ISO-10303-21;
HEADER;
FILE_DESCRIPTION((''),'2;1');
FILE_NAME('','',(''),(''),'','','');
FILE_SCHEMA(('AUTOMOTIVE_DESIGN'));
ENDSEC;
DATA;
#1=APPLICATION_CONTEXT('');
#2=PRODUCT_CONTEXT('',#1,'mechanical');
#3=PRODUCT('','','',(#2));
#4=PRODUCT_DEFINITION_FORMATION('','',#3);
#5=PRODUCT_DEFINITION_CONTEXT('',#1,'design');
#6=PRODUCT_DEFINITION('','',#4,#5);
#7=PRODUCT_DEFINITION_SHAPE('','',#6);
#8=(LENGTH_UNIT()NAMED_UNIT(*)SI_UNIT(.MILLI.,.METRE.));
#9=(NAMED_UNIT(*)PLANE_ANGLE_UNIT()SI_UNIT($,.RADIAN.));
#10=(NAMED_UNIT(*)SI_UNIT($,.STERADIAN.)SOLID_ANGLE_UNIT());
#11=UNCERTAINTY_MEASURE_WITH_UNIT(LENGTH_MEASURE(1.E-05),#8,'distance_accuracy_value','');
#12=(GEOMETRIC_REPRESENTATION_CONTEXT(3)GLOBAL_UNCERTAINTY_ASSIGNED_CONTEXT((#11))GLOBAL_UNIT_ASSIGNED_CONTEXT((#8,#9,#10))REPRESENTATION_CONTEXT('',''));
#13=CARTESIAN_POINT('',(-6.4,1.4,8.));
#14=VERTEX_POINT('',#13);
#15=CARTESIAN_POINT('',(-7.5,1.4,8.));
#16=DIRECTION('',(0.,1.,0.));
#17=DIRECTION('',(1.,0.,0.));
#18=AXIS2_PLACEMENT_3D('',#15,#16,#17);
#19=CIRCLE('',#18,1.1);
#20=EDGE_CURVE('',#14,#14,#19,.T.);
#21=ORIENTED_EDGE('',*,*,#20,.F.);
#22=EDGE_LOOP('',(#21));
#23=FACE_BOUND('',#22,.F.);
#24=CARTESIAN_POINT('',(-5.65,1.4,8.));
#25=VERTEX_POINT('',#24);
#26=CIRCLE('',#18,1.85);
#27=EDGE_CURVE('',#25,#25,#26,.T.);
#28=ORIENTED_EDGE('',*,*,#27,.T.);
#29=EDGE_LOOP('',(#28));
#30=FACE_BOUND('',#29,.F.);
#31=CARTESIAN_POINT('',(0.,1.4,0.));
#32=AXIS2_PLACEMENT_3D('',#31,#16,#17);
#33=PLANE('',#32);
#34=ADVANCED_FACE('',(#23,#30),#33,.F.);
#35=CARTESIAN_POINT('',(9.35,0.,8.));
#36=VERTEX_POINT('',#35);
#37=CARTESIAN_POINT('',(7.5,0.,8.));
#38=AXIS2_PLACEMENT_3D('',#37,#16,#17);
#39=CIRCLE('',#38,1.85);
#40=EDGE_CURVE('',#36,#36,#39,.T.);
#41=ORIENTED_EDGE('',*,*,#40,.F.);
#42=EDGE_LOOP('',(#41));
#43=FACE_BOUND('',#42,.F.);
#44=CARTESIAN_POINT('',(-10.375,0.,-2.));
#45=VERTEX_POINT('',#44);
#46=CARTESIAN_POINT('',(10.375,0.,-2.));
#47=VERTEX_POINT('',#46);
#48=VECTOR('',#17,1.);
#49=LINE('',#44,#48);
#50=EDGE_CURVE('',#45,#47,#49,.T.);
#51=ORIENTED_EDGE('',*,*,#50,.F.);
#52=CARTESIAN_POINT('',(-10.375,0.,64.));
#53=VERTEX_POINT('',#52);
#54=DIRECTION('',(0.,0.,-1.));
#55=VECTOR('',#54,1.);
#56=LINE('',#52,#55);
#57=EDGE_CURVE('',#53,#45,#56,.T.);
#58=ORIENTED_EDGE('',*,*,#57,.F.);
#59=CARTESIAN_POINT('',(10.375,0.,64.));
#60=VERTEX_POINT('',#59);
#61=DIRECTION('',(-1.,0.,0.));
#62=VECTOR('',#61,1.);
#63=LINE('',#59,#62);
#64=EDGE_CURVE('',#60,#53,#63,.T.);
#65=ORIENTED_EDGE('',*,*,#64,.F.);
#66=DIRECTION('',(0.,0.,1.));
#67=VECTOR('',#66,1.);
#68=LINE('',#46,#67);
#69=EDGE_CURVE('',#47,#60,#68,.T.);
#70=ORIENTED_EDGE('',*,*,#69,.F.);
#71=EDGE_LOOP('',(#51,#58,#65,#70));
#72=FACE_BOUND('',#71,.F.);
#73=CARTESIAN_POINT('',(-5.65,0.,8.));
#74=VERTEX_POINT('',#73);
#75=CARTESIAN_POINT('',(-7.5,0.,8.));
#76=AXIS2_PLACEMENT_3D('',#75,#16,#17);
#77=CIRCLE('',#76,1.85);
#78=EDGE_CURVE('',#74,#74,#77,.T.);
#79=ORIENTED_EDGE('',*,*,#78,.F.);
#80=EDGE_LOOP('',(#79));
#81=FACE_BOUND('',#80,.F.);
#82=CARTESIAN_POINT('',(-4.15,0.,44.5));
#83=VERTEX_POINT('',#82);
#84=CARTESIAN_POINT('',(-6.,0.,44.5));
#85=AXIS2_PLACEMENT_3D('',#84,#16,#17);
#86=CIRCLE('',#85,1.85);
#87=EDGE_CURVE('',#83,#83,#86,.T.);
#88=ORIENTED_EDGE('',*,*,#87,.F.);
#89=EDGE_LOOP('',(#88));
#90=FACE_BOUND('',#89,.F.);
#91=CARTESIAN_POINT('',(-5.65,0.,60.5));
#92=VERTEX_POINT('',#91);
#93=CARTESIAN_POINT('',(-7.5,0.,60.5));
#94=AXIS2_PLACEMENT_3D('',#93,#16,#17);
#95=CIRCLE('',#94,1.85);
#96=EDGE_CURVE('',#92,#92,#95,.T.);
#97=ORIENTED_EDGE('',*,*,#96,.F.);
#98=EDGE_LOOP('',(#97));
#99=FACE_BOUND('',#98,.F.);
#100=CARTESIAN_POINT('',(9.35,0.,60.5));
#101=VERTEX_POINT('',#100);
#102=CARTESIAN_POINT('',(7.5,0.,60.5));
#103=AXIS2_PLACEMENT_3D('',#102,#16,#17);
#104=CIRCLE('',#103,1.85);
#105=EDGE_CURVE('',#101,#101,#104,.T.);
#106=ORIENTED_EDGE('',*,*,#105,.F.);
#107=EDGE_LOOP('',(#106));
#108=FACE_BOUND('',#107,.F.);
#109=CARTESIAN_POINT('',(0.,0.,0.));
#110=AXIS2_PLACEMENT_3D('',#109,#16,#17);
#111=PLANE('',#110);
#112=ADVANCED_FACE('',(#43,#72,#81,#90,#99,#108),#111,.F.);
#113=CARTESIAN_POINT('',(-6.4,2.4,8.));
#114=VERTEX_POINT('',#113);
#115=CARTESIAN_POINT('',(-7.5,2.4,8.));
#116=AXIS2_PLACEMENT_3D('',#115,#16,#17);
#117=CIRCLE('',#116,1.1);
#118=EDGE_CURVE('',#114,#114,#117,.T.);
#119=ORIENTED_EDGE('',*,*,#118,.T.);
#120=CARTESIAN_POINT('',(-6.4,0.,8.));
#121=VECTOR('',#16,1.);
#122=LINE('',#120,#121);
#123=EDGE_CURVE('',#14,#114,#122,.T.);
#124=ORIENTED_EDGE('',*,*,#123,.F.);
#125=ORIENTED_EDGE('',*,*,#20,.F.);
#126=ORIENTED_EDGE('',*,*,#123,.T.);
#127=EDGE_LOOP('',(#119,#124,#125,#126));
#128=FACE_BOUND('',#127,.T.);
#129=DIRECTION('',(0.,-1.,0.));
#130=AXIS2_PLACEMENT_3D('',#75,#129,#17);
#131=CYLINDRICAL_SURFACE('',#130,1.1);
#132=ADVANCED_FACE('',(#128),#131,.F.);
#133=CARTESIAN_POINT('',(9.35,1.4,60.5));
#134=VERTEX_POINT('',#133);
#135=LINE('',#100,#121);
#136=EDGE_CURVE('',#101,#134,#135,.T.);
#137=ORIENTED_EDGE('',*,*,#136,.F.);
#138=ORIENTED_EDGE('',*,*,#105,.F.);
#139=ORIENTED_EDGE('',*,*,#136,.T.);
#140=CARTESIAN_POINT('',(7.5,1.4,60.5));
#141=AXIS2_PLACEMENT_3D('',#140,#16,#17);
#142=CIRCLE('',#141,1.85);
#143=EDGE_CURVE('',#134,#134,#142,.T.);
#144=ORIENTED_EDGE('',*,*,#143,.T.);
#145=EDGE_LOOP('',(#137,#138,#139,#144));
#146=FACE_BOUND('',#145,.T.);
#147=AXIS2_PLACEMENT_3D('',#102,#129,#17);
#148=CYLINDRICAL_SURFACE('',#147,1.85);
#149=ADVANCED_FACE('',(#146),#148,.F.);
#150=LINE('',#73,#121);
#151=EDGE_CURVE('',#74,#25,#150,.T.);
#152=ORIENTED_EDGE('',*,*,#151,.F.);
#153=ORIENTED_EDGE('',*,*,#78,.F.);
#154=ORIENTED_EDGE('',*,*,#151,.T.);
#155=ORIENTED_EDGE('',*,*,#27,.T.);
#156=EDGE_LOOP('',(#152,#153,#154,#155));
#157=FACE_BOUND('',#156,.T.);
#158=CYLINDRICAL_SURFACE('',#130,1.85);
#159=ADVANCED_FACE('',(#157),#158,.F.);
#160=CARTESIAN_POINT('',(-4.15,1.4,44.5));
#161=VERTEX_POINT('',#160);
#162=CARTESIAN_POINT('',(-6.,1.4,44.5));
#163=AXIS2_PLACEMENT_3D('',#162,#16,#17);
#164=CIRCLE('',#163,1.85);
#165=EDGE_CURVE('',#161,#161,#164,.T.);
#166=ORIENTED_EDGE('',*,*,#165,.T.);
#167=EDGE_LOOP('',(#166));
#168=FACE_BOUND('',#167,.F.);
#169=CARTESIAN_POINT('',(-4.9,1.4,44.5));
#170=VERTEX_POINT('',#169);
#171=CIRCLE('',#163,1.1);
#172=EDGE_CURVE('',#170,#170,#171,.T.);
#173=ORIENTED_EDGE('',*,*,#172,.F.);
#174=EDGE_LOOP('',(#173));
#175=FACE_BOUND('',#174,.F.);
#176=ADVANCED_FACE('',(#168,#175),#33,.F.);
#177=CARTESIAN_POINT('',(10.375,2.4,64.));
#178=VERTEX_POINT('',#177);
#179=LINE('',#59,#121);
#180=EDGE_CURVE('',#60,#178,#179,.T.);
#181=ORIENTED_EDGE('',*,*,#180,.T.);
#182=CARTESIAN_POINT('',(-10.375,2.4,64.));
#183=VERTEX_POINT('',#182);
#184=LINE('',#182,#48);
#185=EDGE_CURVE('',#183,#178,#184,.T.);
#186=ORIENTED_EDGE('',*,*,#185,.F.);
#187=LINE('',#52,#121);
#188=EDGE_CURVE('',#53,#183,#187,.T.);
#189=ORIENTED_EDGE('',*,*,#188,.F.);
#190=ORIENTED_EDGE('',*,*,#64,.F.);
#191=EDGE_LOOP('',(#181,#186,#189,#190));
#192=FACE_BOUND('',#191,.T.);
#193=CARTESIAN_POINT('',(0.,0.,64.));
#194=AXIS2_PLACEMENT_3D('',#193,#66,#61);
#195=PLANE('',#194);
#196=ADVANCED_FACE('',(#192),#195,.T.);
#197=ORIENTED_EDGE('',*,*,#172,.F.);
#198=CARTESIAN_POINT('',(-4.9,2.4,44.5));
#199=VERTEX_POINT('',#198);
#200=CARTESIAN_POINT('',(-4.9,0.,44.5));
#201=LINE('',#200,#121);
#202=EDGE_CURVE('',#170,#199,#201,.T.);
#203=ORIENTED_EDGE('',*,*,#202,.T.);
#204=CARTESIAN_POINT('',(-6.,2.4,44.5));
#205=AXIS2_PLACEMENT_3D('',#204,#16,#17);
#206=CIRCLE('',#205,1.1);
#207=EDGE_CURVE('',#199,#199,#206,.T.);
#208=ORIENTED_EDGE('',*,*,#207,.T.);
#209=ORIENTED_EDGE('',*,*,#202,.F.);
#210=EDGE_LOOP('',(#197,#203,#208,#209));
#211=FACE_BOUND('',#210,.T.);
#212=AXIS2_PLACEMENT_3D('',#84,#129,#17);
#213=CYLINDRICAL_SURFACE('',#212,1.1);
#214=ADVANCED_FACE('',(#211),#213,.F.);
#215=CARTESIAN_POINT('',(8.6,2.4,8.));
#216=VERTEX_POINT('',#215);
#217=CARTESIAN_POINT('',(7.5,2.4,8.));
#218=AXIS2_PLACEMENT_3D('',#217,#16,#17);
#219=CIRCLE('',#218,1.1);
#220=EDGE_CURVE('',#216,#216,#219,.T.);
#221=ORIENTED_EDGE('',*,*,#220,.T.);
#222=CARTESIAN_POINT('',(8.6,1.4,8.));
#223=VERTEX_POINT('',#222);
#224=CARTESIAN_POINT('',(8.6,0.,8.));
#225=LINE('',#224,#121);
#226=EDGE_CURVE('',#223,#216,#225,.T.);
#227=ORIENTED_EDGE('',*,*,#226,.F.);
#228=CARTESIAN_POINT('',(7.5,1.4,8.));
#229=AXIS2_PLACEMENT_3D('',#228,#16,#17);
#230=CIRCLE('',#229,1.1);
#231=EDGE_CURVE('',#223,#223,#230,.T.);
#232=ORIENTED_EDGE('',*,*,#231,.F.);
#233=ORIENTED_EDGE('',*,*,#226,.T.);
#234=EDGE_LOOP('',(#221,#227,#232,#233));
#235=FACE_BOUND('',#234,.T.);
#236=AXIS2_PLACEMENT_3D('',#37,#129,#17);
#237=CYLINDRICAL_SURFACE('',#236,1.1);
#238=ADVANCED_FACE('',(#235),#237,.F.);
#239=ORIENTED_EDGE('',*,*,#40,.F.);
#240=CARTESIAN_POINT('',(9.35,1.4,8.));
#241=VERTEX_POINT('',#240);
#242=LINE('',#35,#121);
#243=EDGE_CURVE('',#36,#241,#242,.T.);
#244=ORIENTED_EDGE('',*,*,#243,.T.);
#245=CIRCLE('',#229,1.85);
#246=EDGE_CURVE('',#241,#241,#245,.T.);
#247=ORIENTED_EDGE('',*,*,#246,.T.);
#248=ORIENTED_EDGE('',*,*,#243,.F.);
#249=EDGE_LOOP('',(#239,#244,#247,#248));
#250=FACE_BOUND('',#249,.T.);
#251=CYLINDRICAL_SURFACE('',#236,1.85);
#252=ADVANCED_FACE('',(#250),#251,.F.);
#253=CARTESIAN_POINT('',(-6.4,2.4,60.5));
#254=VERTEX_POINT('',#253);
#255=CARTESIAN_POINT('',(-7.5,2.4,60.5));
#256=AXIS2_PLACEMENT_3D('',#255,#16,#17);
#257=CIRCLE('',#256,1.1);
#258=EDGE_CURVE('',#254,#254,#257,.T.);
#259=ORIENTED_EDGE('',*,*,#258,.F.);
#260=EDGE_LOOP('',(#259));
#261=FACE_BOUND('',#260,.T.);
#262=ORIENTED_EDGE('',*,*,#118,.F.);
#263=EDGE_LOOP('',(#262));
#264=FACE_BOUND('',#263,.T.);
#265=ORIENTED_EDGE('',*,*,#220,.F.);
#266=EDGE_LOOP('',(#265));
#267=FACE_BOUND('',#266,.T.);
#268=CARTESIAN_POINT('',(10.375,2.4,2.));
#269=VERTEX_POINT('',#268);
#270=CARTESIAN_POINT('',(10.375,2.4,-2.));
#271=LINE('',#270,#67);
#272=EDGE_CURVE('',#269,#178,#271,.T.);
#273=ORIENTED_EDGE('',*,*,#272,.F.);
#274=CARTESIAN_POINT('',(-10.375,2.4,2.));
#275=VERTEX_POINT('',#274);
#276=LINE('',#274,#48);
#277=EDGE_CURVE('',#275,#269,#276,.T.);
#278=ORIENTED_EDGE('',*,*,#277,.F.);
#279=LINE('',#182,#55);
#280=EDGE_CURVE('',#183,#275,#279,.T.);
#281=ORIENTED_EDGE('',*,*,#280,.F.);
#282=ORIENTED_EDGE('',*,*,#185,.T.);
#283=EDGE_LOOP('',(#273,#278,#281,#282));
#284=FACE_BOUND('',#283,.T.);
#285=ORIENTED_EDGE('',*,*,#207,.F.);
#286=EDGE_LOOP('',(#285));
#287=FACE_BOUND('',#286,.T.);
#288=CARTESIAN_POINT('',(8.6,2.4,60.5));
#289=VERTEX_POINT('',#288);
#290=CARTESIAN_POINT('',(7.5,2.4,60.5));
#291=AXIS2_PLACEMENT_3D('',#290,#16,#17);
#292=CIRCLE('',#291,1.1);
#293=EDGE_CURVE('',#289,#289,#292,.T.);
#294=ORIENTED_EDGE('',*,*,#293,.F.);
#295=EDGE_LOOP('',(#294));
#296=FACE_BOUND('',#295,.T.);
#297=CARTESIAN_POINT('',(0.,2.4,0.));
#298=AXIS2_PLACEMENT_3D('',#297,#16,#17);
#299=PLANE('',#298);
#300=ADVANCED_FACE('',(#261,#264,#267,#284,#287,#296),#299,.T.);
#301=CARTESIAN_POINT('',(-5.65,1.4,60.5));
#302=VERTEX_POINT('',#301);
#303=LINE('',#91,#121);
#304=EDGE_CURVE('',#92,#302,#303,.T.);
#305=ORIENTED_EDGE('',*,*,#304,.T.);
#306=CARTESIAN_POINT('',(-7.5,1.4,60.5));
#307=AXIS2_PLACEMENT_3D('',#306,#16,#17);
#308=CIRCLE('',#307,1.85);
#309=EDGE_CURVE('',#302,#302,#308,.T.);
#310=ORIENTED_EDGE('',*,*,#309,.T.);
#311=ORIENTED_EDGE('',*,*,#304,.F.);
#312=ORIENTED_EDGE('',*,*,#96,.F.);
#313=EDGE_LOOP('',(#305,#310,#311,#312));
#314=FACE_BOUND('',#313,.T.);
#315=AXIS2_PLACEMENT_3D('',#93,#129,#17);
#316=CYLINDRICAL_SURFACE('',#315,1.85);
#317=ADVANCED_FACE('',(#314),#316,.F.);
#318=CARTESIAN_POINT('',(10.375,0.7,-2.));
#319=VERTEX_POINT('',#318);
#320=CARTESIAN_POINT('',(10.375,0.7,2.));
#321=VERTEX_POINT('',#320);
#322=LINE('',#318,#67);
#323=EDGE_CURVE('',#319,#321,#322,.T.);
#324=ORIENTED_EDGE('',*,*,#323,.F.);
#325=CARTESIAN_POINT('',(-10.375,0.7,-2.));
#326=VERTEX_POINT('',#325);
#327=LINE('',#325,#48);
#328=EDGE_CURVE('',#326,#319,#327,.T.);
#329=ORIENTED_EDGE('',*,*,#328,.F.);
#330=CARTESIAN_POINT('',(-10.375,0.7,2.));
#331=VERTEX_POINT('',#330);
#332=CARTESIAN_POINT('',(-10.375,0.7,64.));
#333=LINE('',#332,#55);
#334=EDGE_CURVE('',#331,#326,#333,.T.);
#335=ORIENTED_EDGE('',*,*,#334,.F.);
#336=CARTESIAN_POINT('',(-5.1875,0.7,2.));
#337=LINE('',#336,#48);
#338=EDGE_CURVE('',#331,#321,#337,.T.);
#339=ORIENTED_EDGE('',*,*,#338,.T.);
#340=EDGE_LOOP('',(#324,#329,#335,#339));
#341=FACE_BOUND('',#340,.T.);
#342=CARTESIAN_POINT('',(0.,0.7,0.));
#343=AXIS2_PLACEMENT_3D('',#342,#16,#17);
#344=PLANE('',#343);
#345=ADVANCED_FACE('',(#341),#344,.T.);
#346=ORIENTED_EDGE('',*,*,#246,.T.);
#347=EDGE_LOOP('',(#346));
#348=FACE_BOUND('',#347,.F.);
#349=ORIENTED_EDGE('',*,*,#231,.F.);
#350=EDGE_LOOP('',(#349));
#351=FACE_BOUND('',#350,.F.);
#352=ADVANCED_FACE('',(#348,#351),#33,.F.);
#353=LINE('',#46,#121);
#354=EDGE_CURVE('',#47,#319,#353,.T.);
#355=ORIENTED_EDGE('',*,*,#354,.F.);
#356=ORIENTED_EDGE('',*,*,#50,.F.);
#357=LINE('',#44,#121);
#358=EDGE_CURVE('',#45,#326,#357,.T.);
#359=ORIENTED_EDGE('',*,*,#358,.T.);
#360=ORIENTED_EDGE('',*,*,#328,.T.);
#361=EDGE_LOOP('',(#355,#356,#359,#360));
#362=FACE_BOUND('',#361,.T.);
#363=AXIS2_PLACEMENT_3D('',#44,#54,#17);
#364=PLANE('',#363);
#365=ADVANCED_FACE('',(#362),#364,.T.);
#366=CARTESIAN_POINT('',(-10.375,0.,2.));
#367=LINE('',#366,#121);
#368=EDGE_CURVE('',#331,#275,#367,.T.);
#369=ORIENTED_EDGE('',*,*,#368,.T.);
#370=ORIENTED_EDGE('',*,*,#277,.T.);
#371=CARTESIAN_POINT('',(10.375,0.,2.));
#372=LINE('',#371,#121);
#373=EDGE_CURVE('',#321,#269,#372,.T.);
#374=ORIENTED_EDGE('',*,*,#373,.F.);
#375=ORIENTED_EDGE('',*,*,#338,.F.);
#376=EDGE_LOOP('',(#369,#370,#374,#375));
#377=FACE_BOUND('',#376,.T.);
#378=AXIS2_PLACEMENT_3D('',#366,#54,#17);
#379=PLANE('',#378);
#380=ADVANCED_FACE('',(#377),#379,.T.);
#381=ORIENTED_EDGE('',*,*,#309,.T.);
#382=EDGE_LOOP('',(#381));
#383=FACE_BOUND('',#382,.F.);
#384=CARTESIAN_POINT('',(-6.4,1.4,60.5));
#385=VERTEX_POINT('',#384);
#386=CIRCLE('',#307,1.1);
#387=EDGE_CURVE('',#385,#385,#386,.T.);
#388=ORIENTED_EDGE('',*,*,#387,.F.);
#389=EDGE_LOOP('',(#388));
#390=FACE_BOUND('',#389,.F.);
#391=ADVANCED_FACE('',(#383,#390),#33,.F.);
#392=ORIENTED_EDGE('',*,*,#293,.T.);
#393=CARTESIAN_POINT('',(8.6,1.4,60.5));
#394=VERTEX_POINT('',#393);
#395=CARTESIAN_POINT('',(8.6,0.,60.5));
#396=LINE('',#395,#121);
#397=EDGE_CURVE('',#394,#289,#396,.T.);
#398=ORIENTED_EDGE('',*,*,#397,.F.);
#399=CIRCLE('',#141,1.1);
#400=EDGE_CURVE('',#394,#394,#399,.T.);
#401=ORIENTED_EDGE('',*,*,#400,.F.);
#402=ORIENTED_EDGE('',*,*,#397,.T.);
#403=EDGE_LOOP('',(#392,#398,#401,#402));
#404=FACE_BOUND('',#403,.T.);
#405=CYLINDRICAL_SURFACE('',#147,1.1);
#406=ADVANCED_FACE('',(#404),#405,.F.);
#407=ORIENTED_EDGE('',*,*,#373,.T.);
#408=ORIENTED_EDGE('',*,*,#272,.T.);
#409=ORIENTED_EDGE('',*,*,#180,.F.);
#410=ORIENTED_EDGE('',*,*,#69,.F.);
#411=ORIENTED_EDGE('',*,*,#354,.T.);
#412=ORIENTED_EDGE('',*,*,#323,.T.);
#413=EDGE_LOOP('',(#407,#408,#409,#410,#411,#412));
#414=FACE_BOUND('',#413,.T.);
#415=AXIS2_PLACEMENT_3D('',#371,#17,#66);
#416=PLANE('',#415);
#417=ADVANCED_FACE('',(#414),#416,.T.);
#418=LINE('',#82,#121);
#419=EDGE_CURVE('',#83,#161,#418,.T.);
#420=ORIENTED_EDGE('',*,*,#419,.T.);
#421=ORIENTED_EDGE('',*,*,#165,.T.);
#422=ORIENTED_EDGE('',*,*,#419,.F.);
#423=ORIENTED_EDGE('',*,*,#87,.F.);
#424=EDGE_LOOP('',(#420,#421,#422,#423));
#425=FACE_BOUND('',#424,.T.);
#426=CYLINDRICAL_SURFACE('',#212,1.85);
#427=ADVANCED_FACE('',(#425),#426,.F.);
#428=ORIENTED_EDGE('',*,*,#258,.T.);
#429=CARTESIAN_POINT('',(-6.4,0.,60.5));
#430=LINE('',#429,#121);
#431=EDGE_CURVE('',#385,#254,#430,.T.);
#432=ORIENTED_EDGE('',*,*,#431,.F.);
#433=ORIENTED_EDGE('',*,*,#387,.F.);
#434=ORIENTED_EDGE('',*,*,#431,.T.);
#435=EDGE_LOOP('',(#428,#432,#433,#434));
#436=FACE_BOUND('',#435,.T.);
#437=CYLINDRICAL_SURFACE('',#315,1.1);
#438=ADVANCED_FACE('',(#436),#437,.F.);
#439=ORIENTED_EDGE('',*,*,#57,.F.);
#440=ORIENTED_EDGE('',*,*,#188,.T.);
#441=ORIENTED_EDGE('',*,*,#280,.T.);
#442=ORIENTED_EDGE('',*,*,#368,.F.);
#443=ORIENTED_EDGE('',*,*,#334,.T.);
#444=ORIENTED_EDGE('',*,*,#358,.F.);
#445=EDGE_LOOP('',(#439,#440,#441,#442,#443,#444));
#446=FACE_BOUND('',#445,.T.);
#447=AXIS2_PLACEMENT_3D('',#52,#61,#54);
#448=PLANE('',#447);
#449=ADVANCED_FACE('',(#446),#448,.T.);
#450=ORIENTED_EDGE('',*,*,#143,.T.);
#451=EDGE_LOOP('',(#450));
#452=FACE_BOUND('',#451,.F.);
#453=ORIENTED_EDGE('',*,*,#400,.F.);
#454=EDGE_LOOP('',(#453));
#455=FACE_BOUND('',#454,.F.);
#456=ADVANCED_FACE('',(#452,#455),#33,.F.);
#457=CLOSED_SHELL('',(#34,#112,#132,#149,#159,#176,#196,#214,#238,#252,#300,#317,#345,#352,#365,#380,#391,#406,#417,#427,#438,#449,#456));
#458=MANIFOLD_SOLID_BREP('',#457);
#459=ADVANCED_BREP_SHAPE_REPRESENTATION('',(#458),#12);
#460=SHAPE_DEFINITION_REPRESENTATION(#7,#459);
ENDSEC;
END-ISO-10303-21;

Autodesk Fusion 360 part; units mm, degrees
sketch "スケッチ1" plane through (0, 0, 0) normal (0, 1, 0) x (1, 0, 0)
  line L0 (-10.375, 2) -> (10.375, 2)
  line L1 (10.375, 2) -> (10.375, -64)
  line L2 (10.375, -64) -> (-10.375, -64)
  line L3 (-10.375, -64) -> (-10.375, 2)
  line L4 (0, 0) -> (0, -64)
  circle A0 centre (7.5, -8) radius 1.1
  circle A1 centre (7.5, -8) radius 1.85
  circle A2 centre (7.5, -60.5) radius 1.1
  circle A3 centre (7.5, -60.5) radius 1.85
  line L5 (-10.375, -2) -> (10.375, -2)
  circle A4 centre (-7.5, -8) radius 1.85
  circle A5 centre (-7.5, -8) radius 1.1
  circle A6 centre (-7.5, -60.5) radius 1.85
  circle A7 centre (-7.5, -60.5) radius 1.1
  circle A8 centre (-6, -44.5) radius 1.1
  circle A9 centre (-6, -44.5) radius 1.85
  dimension "d1" = 66
  dimension "d2" = 20.75
  dimension "d3" = 10.375
  dimension "d4" = 2.2
  dimension "d6" = 10
  dimension "d7" = 3.7
  dimension "d8" = 2.2
  dimension "d9" = 3.7
  dimension "d11" = 62.5
  dimension "d12" = 7.5
  dimension "d13" = 7.5
  dimension "d14" = 4
  dimension "d27" = 3.7
  dimension "d28" = 2.2
  dimension "d29" = 6
  dimension "d30" = 46.5
extrude "押し出し4" add sketch "スケッチ1" along normal blind 0.7 contours L0 L1 L3 L5 | L2 L3 L4 L5 | L1 L2 L4 L5 | A1 | A3 | A4 | A6 | A8 | A9 makes body 1
extrude "押し出し5" add sketch "スケッチ1" along normal blind 2.4 separate body contours L2 L3 L4 L5 | L1 L2 L4 L5 | A1 | A3 | A4 | A6 | A8 | A9 makes body 2
combine "結合1" operation add target body 2 tool bodies 1
extrude "押し出し6" cut sketch "スケッチ1" along normal blind 1.4 contours A1 | A3 | A4 | A6 bodies 2
extrude "押し出し7" cut sketch "スケッチ1" along normal blind 2.4 contours A8 bodies 2
extrude "押し出し8" cut sketch "スケッチ1" along normal blind 1.4 contours A9 bodies 2
